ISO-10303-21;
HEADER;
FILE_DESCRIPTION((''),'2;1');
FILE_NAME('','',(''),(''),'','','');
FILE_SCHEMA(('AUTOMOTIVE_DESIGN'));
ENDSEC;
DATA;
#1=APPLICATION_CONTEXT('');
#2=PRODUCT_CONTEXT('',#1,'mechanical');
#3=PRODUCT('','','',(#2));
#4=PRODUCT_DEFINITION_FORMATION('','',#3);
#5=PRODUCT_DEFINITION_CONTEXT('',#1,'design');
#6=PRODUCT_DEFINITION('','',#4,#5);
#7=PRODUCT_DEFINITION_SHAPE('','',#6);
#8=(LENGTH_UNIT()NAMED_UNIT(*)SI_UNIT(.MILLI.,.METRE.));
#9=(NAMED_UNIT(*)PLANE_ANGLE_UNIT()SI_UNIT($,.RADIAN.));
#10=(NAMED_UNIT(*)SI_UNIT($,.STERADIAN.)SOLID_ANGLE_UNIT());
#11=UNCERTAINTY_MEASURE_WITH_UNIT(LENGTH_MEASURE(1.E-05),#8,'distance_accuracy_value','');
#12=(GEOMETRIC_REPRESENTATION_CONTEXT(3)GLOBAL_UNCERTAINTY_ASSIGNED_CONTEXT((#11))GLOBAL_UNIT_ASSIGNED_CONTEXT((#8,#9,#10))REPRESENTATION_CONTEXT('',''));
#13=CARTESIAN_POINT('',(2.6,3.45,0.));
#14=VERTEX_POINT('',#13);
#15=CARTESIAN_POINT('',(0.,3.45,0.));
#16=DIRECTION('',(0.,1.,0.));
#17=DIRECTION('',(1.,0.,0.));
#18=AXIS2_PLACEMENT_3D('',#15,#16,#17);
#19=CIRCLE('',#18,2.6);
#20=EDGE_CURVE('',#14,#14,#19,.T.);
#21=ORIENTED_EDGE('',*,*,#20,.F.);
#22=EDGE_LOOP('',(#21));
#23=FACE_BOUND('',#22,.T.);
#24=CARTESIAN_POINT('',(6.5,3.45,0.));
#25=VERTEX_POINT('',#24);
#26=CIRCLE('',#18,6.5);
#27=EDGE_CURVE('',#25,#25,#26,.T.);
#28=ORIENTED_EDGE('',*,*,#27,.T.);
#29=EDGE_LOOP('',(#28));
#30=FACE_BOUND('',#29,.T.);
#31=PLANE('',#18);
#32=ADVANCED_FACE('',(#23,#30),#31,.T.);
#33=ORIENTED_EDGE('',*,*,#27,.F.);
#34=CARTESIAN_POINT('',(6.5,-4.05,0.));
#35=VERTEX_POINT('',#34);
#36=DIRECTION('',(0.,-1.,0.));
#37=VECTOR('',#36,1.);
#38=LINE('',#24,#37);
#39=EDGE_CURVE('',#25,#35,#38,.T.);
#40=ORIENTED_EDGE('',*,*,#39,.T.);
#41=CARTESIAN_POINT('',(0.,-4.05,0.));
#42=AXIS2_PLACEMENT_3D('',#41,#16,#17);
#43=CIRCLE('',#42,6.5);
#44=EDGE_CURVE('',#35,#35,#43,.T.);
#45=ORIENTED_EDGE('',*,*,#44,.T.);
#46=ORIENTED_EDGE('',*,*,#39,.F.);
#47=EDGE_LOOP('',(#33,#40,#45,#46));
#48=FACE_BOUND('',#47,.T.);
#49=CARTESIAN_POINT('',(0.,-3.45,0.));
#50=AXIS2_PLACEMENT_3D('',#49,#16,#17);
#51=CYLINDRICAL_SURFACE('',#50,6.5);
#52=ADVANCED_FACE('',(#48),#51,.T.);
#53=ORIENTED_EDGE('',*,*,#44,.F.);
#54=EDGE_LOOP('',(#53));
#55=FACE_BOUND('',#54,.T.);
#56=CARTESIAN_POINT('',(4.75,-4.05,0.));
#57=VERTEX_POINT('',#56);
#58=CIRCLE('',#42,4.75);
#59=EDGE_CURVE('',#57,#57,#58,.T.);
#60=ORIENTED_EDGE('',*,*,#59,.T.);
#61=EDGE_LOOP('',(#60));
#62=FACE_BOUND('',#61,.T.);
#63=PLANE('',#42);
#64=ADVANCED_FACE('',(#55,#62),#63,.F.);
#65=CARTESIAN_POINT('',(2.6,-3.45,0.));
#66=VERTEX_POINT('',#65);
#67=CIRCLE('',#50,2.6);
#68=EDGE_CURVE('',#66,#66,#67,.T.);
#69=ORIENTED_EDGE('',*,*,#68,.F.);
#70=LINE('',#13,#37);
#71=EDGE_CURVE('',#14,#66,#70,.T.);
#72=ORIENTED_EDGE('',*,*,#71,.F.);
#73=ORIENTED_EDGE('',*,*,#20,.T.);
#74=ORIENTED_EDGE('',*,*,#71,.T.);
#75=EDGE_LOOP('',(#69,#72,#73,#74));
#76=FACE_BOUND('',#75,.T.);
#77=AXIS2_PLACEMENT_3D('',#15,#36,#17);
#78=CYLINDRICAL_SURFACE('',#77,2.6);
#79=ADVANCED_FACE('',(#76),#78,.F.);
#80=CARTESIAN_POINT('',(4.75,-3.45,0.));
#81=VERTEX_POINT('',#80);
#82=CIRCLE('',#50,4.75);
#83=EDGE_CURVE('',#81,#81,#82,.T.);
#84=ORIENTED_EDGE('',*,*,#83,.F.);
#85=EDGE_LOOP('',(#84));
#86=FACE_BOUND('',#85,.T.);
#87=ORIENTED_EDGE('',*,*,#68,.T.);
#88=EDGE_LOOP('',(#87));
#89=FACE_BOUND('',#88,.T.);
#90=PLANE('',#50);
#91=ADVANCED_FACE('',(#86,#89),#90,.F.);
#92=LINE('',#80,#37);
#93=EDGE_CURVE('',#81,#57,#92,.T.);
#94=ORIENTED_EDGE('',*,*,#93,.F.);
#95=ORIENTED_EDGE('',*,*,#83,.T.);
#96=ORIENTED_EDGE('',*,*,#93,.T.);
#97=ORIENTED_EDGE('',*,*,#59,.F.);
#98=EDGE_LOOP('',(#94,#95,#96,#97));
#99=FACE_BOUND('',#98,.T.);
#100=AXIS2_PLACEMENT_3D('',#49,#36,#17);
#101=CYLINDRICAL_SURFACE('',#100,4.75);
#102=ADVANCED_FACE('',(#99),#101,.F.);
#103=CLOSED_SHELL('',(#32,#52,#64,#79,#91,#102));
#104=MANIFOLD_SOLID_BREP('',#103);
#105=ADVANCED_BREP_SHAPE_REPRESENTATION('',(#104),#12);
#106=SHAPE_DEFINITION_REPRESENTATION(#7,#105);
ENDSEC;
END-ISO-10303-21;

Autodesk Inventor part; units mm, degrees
ref_plane "YZ Plane" through (0, 0, 0) normal (1, 0, 0) x (0, 1, 0)
ref_plane "XZ Plane" through (0, 0, 0) normal (0, 1, 0) x (-1, 0, 0)
ref_plane "XY Plane" through (0, 0, 0) normal (0, 0, 1) x (1, 0, 0)
sketch "スケッチ1" plane through (0, 0, 0) normal (0, 0, 1) x (1, 0, 0)
  line L0 (2.6, 3.45) -> (2.6, -3.45)
  line L1 (2.6, -3.45) -> (6.5, -3.45)
  line L2 (6.5, -3.45) -> (6.5, 3.45)
  line L3 (6.5, 3.45) -> (2.6, 3.45)
  line L4 (0, -5.55) -> (0, 4.95) projected
  line L5 (6.5, -3.45) -> (4.75, -3.45)
  line L6 (4.75, -3.45) -> (4.75, -4.05)
  line L7 (4.75, -4.05) -> (6.5, -4.05)
  line L8 (6.5, -4.05) -> (6.5, -3.45)
  point P0 (0, 0)
  point P1 (2.6, 0)
  dimension "d1" = 2.6
  dimension "d2" = 6.5
  dimension "d3" = 6.9
  dimension "d8" = 0.6
  dimension "d9" = 4.75
revolve "回転1" add sketch "スケッチ1" angle 360 about axis through (0, -10, 0) along (0, 1, 0)
properties part number "膝_同軸_スペーサ_1_2" material "アセタール樹脂、黒"
